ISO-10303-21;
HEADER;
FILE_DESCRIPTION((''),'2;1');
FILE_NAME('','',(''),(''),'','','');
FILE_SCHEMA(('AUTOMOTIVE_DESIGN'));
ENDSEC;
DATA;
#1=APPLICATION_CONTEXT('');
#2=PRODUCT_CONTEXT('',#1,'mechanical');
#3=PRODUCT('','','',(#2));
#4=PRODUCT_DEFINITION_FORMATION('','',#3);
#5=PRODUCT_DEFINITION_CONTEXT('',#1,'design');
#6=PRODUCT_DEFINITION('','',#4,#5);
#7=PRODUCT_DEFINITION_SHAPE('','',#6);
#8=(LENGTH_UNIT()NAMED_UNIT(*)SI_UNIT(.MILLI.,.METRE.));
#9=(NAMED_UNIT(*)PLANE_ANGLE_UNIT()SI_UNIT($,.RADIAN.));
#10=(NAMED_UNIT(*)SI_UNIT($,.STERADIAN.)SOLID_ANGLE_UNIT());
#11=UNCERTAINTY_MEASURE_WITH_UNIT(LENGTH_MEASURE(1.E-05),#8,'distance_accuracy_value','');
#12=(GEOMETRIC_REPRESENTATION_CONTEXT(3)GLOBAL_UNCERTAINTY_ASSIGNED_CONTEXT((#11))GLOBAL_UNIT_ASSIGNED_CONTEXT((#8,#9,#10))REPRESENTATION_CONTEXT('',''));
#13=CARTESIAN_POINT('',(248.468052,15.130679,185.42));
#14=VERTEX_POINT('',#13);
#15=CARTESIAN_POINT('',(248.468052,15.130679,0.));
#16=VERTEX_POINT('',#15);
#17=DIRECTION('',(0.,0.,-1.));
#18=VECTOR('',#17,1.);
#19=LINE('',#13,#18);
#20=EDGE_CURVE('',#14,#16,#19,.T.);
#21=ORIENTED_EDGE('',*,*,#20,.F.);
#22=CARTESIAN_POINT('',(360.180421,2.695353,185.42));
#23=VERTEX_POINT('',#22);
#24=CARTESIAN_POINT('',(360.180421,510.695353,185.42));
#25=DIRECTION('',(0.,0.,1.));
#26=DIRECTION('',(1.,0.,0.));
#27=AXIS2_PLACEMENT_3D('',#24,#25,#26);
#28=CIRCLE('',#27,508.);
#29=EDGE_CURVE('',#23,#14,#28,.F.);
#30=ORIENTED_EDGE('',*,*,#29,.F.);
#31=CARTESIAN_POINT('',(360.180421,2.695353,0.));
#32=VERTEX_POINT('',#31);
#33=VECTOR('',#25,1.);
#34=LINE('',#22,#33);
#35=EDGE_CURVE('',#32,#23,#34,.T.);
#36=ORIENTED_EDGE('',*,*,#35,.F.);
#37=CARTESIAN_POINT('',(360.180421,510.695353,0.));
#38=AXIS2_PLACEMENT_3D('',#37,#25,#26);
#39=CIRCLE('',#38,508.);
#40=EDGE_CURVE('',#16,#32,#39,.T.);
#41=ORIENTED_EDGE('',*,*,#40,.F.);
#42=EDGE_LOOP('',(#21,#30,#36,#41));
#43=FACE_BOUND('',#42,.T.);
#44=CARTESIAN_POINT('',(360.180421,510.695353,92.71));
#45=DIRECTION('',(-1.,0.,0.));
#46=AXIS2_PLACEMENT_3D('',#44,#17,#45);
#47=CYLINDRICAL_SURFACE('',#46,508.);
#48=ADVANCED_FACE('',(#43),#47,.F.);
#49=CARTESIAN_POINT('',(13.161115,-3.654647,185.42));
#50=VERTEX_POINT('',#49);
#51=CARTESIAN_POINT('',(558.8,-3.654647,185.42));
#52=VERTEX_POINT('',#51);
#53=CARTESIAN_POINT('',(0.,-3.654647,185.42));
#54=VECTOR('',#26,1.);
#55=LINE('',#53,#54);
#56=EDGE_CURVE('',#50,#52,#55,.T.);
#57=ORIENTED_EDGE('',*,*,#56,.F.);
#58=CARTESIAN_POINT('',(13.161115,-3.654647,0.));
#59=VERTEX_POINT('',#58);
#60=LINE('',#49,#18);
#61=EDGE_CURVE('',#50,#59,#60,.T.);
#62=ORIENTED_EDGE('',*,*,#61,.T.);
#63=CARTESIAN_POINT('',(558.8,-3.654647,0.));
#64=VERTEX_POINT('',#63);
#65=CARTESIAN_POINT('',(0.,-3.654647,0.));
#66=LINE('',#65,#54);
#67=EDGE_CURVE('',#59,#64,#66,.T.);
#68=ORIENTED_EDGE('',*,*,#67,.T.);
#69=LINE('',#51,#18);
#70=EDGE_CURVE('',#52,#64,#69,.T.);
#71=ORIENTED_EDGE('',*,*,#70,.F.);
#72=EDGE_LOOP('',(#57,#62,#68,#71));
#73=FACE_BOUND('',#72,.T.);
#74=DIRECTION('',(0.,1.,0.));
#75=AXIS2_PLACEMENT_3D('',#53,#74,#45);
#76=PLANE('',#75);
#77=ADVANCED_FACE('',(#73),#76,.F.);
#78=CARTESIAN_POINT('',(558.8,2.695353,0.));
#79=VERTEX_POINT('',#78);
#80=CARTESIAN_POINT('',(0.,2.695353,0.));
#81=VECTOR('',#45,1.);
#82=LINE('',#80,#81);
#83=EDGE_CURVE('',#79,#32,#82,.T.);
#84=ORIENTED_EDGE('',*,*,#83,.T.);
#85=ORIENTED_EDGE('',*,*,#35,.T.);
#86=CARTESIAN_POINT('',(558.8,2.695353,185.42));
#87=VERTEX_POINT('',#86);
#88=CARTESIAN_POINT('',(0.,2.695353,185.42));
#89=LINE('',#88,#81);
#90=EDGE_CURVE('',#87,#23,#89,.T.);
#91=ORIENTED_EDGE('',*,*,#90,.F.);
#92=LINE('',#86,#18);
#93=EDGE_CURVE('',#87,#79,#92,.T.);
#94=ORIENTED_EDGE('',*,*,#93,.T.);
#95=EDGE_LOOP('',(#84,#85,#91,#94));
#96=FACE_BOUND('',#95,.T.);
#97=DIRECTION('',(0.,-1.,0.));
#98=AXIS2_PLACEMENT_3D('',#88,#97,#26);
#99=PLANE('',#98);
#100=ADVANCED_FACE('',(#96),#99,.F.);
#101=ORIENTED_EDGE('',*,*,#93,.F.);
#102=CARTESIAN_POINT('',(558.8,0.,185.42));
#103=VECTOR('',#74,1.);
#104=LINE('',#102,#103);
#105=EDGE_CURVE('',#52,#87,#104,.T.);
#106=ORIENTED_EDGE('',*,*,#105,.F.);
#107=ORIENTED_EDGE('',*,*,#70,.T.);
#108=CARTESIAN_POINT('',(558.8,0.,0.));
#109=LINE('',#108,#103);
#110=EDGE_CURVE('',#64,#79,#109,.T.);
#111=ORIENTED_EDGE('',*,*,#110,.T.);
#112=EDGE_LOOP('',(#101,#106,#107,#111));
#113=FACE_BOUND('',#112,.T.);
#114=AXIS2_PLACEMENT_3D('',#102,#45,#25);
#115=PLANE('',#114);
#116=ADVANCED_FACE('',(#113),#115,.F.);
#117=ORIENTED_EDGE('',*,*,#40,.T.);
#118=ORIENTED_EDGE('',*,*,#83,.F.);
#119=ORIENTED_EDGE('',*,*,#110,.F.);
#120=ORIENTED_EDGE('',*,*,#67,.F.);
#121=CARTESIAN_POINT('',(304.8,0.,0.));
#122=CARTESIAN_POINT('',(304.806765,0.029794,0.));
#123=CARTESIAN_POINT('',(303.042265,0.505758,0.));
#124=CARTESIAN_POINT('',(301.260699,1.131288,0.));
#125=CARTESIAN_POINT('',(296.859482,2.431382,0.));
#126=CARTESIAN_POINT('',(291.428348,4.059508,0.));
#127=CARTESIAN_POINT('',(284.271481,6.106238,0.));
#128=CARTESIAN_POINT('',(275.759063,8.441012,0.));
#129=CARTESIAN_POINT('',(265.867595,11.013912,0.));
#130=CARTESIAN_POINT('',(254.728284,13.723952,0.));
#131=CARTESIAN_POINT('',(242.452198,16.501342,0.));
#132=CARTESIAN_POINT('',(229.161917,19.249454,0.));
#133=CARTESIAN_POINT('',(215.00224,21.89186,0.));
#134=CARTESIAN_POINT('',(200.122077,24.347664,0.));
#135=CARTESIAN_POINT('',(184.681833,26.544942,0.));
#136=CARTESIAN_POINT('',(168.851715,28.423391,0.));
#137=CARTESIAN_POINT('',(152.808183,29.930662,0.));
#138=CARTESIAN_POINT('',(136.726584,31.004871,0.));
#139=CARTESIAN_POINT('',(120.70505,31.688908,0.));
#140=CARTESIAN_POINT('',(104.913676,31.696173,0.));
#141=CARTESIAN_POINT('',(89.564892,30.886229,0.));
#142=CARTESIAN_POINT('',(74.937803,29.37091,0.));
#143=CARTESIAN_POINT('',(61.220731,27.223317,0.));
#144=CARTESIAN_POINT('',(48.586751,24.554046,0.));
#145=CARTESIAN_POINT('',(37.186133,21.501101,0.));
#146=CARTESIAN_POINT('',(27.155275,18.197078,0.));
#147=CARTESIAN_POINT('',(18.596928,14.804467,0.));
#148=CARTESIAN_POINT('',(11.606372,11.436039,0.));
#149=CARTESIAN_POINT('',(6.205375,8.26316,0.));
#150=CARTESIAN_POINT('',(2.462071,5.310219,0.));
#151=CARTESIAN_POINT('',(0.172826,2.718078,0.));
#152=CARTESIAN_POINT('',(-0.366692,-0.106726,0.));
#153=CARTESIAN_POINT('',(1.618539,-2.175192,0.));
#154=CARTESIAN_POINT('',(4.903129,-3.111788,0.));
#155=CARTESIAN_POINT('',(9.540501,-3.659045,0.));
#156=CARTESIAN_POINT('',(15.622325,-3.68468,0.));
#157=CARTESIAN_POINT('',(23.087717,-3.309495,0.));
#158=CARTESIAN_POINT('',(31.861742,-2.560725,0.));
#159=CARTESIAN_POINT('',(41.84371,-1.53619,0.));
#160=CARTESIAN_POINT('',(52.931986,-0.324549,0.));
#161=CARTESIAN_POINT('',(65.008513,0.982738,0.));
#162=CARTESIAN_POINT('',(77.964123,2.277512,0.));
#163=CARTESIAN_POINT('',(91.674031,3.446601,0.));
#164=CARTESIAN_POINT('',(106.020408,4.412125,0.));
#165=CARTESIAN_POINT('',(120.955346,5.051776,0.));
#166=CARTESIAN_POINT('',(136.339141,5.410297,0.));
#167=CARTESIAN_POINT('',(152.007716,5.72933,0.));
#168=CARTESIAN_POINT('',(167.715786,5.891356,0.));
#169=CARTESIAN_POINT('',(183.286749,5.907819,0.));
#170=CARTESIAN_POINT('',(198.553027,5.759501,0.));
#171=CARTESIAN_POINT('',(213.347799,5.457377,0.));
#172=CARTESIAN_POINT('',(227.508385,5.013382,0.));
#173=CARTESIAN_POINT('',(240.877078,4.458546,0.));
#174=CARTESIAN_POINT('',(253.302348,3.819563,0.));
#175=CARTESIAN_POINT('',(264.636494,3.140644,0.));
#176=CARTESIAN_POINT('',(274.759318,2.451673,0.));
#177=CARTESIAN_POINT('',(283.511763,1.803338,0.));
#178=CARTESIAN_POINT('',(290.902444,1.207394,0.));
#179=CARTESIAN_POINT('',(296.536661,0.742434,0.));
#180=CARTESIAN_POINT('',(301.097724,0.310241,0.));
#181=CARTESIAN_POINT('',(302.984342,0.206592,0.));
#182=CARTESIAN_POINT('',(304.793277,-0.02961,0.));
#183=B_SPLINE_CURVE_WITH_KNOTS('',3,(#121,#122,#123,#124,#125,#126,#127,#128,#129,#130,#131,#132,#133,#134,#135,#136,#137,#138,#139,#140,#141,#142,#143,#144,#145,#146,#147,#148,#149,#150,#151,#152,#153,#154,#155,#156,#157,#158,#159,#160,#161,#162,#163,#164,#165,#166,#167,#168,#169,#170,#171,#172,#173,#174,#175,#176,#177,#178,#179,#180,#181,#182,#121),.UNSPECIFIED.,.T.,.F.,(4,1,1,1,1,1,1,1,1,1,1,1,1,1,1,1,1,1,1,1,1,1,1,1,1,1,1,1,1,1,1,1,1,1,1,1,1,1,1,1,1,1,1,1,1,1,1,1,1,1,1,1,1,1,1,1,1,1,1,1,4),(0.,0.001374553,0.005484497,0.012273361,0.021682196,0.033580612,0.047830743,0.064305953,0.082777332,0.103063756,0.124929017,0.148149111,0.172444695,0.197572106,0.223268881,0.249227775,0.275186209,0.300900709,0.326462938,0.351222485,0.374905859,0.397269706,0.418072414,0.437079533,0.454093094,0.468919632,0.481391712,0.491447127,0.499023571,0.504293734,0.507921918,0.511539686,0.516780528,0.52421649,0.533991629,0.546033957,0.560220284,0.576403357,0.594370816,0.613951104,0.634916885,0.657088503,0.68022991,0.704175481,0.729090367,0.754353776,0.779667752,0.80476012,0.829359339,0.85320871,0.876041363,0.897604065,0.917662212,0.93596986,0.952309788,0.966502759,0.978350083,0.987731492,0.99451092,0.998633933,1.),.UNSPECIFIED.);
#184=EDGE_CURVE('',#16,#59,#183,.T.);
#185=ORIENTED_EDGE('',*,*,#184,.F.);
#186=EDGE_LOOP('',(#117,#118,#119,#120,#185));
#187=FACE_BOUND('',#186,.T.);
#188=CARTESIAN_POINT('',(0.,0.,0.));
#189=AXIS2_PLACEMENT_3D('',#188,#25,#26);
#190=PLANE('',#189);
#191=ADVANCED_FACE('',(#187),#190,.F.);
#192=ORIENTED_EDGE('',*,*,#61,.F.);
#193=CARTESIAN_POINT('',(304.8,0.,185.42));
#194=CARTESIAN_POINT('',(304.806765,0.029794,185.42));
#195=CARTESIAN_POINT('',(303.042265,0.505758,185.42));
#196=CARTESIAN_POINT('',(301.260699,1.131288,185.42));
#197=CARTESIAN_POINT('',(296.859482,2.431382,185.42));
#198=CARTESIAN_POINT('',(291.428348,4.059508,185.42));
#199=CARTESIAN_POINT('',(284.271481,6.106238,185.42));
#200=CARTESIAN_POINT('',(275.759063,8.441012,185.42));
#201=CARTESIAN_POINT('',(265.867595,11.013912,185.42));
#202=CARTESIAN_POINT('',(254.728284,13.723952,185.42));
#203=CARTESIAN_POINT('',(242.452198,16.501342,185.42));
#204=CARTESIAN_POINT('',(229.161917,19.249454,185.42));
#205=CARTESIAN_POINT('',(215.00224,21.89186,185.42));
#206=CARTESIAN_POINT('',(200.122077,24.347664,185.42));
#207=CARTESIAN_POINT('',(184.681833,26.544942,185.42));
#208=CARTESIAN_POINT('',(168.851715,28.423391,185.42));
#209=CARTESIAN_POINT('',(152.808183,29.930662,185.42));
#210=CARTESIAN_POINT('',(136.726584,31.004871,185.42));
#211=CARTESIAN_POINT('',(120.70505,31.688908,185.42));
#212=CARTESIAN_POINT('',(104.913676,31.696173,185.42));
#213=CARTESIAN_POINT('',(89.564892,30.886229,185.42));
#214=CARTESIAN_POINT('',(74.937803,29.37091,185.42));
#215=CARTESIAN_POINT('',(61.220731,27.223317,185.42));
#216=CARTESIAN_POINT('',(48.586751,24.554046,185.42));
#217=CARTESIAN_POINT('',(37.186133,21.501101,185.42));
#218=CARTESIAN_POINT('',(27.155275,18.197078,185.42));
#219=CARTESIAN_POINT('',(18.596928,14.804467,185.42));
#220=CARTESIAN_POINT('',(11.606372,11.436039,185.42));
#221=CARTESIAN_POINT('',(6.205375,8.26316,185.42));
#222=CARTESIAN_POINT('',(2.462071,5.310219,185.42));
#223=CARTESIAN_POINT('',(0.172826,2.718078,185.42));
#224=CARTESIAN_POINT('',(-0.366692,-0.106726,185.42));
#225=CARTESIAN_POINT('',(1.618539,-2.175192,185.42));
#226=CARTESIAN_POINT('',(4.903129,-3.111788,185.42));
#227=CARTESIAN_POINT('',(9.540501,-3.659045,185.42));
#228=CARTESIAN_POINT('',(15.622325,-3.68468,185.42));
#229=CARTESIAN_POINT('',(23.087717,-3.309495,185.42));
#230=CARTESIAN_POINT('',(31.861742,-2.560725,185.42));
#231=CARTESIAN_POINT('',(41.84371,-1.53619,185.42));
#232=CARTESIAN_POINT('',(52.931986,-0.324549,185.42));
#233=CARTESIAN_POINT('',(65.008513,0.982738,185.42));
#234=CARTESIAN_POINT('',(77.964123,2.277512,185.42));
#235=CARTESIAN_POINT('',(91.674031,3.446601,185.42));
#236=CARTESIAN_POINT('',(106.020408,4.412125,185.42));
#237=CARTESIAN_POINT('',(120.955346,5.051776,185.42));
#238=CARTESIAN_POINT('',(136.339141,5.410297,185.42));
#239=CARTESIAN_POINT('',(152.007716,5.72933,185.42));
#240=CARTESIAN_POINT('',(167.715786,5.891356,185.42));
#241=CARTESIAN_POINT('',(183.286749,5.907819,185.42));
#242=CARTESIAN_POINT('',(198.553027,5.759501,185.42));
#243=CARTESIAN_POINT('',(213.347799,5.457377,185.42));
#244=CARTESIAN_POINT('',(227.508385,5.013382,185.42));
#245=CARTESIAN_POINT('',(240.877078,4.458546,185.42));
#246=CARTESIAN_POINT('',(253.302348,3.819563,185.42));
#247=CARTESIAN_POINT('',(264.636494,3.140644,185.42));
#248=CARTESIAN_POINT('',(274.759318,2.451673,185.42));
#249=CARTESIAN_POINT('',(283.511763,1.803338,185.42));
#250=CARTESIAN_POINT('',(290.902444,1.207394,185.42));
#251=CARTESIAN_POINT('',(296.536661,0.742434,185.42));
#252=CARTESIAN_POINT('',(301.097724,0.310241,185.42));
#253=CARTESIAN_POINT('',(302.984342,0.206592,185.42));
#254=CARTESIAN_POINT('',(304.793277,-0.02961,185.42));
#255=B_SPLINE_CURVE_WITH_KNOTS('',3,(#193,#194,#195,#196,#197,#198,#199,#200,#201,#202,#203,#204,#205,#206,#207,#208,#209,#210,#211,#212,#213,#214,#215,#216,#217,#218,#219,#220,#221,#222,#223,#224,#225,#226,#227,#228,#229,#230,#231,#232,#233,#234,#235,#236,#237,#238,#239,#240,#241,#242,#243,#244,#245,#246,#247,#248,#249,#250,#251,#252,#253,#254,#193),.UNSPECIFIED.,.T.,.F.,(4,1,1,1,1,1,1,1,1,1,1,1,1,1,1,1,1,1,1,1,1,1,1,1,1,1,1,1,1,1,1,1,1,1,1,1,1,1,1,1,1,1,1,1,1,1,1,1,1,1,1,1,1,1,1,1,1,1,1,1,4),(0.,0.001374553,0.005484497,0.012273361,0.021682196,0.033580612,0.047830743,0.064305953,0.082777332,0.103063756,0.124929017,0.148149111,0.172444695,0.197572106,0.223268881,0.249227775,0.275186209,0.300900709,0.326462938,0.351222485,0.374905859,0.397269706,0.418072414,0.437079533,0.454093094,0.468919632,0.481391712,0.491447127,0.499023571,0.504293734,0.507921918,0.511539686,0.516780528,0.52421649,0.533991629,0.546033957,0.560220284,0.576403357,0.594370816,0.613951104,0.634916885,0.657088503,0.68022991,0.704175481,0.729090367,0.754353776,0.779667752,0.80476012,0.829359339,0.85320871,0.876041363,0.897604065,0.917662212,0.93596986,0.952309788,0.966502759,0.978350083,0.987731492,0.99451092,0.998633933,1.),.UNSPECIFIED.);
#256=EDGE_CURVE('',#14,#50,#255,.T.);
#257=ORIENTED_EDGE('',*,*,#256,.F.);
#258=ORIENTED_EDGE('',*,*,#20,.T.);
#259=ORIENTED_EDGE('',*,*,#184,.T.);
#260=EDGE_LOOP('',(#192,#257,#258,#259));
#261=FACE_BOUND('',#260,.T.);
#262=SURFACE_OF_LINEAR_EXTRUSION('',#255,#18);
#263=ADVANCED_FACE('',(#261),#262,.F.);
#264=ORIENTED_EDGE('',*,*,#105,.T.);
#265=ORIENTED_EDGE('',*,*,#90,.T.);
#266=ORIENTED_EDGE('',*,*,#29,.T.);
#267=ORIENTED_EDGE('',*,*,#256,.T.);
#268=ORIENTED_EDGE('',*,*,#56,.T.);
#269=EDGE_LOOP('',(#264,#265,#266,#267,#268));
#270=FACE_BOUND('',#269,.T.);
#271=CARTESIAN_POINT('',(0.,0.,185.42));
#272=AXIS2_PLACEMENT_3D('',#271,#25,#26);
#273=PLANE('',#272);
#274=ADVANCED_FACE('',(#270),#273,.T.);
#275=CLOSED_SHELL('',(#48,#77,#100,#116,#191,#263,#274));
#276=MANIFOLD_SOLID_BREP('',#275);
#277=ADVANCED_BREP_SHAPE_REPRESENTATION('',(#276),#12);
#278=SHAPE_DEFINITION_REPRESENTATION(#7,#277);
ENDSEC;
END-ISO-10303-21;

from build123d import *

# Parameters (mm, degrees)
BOSS_EXTRUDE1_DEPTH = 185.42
FILLET1_R           = 508


with BuildPart() as part:
    # Sketch1 → Boss-Extrude1 (new body)
    with BuildSketch(Plane.XY):
        with BuildLine():
            add(Edge.make_bspline(
                [(13.161115253, -3.654646631), (13.823623725, -3.654646631), (16.987832029, -3.616054402), (23.087716531, -3.309495072), (31.861742479, -2.560725044), (41.843709875, -1.536189628), (52.931986121, -0.324549043), (65.008512648, 0.982737613), (77.964122557, 2.277511633), (91.674031486, 3.446601281), (106.020407657, 4.412124839), (120.955345623, 5.051776243), (136.33914131, 5.410297234), (152.00771634, 5.729330171), (167.715786189, 5.891355535), (183.286749283, 5.907819478), (198.553027185, 5.759500833), (213.347799024, 5.457376615), (227.508384674, 5.013382487), (240.87707765, 4.458546495), (253.302348042, 3.819562542), (264.636493621, 3.140644353), (274.759317931, 2.451673351), (283.511762664, 1.803338009), (290.902443864, 1.207394425), (296.53666063, 0.74243374), (301.097723542, 0.310240549), (302.984341567, 0.206591886), (304.793276654, -0.029609745), (304.8, 0)],
                knots=[0.530802003, 0.530802003, 0.530802003, 0.530802003, 0.533991629, 0.546033957, 0.560220284, 0.576403357, 0.594370816, 0.613951104, 0.634916885, 0.657088503, 0.68022991, 0.704175481, 0.729090367, 0.754353776, 0.779667752, 0.80476012, 0.829359339, 0.85320871, 0.876041363, 0.897604065, 0.917662212, 0.93596986, 0.952309788, 0.966502759, 0.978350083, 0.987731492, 0.99451092, 0.998633933, 1, 1, 1, 1], degree=3))
            Line((13.161115253, -3.654646631), (558.8, -3.654646631))
            Line((558.8, -3.654646631), (558.8, 2.695353369))
            Line((558.8, 2.695353369), (295.985175517, 2.695353369))
            add(Edge.make_bspline(
                [(304.8, 0), (304.806765113, 0.029793691), (303.042265442, 0.505757681), (301.260699108, 1.131288287), (298.363634875, 1.98706409), (296.481226949, 2.547598218), (295.985175517, 2.695353369)],
                knots=[0, 0, 0, 0, 0.001374553, 0.005484497, 0.012273361, 0.014741887, 0.014741887, 0.014741887, 0.014741887], degree=3))
        make_face()
        with BuildLine():
            add(Edge.make_bspline(
                [(304.8, 0), (304.806765113, 0.029793691), (303.042265442, 0.505757681), (301.260699108, 1.131288287), (296.859481645, 2.431382143), (291.428347564, 4.059507507), (284.27148123, 6.106238287), (275.759062516, 8.441011906), (265.86759503, 11.013912173), (254.728284103, 13.723951628), (242.452197766, 16.50134202), (229.161916523, 19.249453844), (215.002240334, 21.891859808), (200.122077246, 24.347664434), (184.681833302, 26.544941892), (168.851714948, 28.423390706), (152.808183209, 29.930661937), (136.726583629, 31.004871005), (120.70505044, 31.68890838), (104.913675716, 31.696173318), (89.564892405, 30.886228683), (74.937803443, 29.370910292), (61.220730955, 27.223316908), (48.586751334, 24.554045511), (37.186133391, 21.501101472), (27.155274661, 18.197077887), (18.596928301, 14.804467146), (11.606371729, 11.436038832), (6.205374616, 8.263160289), (2.462071155, 5.310219357), (0.172825892, 2.718078099), (-0.366692026, -0.10672571), (1.618538644, -2.175191533), (4.903129138, -3.111787797), (9.54050067, -3.659044511), (15.622325024, -3.684680114), (23.087716531, -3.309495072), (31.861742479, -2.560725044), (41.843709875, -1.536189628), (52.931986121, -0.324549043), (65.008512648, 0.982737613), (77.964122557, 2.277511633), (91.674031486, 3.446601281), (106.020407657, 4.412124839), (120.955345623, 5.051776243), (136.33914131, 5.410297234), (152.00771634, 5.729330171), (167.715786189, 5.891355535), (183.286749283, 5.907819478), (198.553027185, 5.759500833), (213.347799024, 5.457376615), (227.508384674, 5.013382487), (240.87707765, 4.458546495), (253.302348042, 3.819562542), (264.636493621, 3.140644353), (274.759317931, 2.451673351), (283.511762664, 1.803338009), (290.902443864, 1.207394425), (296.53666063, 0.74243374), (301.097723542, 0.310240549), (302.984341567, 0.206591886), (304.793276654, -0.029609745), (304.8, 0)],
                knots=[0, 0, 0, 0, 0.001374553, 0.005484497, 0.012273361, 0.021682196, 0.033580612, 0.047830743, 0.064305953, 0.082777332, 0.103063756, 0.124929017, 0.148149111, 0.172444695, 0.197572106, 0.223268881, 0.249227775, 0.275186209, 0.300900709, 0.326462938, 0.351222485, 0.374905859, 0.397269706, 0.418072414, 0.437079533, 0.454093094, 0.468919632, 0.481391712, 0.491447127, 0.499023571, 0.504293734, 0.507921918, 0.511539686, 0.516780528, 0.52421649, 0.533991629, 0.546033957, 0.560220284, 0.576403357, 0.594370816, 0.613951104, 0.634916885, 0.657088503, 0.68022991, 0.704175481, 0.729090367, 0.754353776, 0.779667752, 0.80476012, 0.829359339, 0.85320871, 0.876041363, 0.897604065, 0.917662212, 0.93596986, 0.952309788, 0.966502759, 0.978350083, 0.987731492, 0.99451092, 0.998633933, 1, 1, 1, 1], degree=3))
        make_face()
    extrude(amount=BOSS_EXTRUDE1_DEPTH)

    # Fillet1
    fillet1_edges = [part.edges().sort_by_distance(p)[0] for p in [
        (295.985175517, 2.695353369, 92.71),
    ]]
    fillet(fillet1_edges, radius=FILLET1_R)


solid = part.part
